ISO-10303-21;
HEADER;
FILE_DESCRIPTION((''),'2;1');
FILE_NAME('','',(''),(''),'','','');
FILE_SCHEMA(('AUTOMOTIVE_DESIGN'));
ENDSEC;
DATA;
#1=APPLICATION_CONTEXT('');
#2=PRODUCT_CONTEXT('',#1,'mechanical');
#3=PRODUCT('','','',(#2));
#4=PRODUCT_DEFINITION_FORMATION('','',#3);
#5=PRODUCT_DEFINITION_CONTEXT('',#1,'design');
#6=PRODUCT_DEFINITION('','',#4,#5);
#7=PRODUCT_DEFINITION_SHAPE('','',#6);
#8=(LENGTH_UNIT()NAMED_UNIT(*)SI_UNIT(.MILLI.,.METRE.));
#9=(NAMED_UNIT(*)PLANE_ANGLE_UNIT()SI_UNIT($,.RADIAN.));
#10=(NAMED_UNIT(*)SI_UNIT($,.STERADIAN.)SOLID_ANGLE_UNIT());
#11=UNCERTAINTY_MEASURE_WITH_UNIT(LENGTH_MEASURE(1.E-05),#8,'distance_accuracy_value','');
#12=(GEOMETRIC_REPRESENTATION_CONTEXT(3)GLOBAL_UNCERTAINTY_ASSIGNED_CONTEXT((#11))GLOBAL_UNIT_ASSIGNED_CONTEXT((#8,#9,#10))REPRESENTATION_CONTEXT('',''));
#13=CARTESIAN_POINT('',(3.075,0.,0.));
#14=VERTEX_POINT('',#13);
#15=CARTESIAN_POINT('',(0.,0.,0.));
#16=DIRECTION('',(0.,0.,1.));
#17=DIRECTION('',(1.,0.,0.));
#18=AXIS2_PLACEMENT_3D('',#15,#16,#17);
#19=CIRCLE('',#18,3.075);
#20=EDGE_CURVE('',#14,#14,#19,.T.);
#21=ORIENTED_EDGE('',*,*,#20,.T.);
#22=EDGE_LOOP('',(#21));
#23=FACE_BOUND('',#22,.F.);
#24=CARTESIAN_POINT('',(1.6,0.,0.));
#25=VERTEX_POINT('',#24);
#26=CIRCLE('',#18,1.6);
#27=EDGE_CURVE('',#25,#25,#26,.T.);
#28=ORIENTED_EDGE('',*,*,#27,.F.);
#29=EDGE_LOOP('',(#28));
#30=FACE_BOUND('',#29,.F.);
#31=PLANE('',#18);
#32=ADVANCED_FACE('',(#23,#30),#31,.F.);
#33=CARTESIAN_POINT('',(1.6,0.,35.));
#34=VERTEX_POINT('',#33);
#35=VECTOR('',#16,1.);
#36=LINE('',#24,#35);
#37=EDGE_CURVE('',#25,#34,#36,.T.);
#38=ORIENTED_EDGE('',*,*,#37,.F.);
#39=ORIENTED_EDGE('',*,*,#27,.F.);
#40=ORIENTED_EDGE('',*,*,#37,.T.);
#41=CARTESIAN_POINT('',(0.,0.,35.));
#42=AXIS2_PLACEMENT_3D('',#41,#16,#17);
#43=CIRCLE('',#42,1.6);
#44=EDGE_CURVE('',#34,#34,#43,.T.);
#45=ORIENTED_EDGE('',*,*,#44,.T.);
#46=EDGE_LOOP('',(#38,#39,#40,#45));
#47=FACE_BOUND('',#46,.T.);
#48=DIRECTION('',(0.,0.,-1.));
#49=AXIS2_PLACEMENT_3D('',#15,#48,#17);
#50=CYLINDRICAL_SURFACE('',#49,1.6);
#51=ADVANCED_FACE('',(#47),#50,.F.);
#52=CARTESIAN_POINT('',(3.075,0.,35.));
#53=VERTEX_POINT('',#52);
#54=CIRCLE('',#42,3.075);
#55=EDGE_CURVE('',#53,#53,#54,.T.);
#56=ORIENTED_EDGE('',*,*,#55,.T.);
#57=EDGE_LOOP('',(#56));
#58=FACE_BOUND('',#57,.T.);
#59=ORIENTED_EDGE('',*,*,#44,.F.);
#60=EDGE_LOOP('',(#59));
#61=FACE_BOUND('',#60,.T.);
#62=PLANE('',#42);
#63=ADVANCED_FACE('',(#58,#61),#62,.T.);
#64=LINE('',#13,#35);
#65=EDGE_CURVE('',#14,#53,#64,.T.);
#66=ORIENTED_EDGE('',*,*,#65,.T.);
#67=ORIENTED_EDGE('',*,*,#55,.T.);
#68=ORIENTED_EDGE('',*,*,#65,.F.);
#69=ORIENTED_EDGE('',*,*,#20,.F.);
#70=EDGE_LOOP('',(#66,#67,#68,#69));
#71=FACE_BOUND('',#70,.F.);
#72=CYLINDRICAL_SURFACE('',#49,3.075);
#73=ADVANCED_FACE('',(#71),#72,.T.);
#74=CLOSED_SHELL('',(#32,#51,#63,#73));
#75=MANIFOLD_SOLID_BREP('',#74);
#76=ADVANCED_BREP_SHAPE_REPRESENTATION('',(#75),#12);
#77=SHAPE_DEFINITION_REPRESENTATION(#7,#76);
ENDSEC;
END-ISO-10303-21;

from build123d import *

# Parameters (mm, degrees)
SKETCH_R   = 3.075
SKETCH_R_2 = 1.6
PAD_DEPTH  = 35


with BuildPart() as part:
    # Sketch → Pad (new body)
    with BuildSketch(Plane.XY):
        Circle(SKETCH_R)
        Circle(SKETCH_R_2, mode=Mode.SUBTRACT)
    extrude(amount=PAD_DEPTH)


solid = part.part
